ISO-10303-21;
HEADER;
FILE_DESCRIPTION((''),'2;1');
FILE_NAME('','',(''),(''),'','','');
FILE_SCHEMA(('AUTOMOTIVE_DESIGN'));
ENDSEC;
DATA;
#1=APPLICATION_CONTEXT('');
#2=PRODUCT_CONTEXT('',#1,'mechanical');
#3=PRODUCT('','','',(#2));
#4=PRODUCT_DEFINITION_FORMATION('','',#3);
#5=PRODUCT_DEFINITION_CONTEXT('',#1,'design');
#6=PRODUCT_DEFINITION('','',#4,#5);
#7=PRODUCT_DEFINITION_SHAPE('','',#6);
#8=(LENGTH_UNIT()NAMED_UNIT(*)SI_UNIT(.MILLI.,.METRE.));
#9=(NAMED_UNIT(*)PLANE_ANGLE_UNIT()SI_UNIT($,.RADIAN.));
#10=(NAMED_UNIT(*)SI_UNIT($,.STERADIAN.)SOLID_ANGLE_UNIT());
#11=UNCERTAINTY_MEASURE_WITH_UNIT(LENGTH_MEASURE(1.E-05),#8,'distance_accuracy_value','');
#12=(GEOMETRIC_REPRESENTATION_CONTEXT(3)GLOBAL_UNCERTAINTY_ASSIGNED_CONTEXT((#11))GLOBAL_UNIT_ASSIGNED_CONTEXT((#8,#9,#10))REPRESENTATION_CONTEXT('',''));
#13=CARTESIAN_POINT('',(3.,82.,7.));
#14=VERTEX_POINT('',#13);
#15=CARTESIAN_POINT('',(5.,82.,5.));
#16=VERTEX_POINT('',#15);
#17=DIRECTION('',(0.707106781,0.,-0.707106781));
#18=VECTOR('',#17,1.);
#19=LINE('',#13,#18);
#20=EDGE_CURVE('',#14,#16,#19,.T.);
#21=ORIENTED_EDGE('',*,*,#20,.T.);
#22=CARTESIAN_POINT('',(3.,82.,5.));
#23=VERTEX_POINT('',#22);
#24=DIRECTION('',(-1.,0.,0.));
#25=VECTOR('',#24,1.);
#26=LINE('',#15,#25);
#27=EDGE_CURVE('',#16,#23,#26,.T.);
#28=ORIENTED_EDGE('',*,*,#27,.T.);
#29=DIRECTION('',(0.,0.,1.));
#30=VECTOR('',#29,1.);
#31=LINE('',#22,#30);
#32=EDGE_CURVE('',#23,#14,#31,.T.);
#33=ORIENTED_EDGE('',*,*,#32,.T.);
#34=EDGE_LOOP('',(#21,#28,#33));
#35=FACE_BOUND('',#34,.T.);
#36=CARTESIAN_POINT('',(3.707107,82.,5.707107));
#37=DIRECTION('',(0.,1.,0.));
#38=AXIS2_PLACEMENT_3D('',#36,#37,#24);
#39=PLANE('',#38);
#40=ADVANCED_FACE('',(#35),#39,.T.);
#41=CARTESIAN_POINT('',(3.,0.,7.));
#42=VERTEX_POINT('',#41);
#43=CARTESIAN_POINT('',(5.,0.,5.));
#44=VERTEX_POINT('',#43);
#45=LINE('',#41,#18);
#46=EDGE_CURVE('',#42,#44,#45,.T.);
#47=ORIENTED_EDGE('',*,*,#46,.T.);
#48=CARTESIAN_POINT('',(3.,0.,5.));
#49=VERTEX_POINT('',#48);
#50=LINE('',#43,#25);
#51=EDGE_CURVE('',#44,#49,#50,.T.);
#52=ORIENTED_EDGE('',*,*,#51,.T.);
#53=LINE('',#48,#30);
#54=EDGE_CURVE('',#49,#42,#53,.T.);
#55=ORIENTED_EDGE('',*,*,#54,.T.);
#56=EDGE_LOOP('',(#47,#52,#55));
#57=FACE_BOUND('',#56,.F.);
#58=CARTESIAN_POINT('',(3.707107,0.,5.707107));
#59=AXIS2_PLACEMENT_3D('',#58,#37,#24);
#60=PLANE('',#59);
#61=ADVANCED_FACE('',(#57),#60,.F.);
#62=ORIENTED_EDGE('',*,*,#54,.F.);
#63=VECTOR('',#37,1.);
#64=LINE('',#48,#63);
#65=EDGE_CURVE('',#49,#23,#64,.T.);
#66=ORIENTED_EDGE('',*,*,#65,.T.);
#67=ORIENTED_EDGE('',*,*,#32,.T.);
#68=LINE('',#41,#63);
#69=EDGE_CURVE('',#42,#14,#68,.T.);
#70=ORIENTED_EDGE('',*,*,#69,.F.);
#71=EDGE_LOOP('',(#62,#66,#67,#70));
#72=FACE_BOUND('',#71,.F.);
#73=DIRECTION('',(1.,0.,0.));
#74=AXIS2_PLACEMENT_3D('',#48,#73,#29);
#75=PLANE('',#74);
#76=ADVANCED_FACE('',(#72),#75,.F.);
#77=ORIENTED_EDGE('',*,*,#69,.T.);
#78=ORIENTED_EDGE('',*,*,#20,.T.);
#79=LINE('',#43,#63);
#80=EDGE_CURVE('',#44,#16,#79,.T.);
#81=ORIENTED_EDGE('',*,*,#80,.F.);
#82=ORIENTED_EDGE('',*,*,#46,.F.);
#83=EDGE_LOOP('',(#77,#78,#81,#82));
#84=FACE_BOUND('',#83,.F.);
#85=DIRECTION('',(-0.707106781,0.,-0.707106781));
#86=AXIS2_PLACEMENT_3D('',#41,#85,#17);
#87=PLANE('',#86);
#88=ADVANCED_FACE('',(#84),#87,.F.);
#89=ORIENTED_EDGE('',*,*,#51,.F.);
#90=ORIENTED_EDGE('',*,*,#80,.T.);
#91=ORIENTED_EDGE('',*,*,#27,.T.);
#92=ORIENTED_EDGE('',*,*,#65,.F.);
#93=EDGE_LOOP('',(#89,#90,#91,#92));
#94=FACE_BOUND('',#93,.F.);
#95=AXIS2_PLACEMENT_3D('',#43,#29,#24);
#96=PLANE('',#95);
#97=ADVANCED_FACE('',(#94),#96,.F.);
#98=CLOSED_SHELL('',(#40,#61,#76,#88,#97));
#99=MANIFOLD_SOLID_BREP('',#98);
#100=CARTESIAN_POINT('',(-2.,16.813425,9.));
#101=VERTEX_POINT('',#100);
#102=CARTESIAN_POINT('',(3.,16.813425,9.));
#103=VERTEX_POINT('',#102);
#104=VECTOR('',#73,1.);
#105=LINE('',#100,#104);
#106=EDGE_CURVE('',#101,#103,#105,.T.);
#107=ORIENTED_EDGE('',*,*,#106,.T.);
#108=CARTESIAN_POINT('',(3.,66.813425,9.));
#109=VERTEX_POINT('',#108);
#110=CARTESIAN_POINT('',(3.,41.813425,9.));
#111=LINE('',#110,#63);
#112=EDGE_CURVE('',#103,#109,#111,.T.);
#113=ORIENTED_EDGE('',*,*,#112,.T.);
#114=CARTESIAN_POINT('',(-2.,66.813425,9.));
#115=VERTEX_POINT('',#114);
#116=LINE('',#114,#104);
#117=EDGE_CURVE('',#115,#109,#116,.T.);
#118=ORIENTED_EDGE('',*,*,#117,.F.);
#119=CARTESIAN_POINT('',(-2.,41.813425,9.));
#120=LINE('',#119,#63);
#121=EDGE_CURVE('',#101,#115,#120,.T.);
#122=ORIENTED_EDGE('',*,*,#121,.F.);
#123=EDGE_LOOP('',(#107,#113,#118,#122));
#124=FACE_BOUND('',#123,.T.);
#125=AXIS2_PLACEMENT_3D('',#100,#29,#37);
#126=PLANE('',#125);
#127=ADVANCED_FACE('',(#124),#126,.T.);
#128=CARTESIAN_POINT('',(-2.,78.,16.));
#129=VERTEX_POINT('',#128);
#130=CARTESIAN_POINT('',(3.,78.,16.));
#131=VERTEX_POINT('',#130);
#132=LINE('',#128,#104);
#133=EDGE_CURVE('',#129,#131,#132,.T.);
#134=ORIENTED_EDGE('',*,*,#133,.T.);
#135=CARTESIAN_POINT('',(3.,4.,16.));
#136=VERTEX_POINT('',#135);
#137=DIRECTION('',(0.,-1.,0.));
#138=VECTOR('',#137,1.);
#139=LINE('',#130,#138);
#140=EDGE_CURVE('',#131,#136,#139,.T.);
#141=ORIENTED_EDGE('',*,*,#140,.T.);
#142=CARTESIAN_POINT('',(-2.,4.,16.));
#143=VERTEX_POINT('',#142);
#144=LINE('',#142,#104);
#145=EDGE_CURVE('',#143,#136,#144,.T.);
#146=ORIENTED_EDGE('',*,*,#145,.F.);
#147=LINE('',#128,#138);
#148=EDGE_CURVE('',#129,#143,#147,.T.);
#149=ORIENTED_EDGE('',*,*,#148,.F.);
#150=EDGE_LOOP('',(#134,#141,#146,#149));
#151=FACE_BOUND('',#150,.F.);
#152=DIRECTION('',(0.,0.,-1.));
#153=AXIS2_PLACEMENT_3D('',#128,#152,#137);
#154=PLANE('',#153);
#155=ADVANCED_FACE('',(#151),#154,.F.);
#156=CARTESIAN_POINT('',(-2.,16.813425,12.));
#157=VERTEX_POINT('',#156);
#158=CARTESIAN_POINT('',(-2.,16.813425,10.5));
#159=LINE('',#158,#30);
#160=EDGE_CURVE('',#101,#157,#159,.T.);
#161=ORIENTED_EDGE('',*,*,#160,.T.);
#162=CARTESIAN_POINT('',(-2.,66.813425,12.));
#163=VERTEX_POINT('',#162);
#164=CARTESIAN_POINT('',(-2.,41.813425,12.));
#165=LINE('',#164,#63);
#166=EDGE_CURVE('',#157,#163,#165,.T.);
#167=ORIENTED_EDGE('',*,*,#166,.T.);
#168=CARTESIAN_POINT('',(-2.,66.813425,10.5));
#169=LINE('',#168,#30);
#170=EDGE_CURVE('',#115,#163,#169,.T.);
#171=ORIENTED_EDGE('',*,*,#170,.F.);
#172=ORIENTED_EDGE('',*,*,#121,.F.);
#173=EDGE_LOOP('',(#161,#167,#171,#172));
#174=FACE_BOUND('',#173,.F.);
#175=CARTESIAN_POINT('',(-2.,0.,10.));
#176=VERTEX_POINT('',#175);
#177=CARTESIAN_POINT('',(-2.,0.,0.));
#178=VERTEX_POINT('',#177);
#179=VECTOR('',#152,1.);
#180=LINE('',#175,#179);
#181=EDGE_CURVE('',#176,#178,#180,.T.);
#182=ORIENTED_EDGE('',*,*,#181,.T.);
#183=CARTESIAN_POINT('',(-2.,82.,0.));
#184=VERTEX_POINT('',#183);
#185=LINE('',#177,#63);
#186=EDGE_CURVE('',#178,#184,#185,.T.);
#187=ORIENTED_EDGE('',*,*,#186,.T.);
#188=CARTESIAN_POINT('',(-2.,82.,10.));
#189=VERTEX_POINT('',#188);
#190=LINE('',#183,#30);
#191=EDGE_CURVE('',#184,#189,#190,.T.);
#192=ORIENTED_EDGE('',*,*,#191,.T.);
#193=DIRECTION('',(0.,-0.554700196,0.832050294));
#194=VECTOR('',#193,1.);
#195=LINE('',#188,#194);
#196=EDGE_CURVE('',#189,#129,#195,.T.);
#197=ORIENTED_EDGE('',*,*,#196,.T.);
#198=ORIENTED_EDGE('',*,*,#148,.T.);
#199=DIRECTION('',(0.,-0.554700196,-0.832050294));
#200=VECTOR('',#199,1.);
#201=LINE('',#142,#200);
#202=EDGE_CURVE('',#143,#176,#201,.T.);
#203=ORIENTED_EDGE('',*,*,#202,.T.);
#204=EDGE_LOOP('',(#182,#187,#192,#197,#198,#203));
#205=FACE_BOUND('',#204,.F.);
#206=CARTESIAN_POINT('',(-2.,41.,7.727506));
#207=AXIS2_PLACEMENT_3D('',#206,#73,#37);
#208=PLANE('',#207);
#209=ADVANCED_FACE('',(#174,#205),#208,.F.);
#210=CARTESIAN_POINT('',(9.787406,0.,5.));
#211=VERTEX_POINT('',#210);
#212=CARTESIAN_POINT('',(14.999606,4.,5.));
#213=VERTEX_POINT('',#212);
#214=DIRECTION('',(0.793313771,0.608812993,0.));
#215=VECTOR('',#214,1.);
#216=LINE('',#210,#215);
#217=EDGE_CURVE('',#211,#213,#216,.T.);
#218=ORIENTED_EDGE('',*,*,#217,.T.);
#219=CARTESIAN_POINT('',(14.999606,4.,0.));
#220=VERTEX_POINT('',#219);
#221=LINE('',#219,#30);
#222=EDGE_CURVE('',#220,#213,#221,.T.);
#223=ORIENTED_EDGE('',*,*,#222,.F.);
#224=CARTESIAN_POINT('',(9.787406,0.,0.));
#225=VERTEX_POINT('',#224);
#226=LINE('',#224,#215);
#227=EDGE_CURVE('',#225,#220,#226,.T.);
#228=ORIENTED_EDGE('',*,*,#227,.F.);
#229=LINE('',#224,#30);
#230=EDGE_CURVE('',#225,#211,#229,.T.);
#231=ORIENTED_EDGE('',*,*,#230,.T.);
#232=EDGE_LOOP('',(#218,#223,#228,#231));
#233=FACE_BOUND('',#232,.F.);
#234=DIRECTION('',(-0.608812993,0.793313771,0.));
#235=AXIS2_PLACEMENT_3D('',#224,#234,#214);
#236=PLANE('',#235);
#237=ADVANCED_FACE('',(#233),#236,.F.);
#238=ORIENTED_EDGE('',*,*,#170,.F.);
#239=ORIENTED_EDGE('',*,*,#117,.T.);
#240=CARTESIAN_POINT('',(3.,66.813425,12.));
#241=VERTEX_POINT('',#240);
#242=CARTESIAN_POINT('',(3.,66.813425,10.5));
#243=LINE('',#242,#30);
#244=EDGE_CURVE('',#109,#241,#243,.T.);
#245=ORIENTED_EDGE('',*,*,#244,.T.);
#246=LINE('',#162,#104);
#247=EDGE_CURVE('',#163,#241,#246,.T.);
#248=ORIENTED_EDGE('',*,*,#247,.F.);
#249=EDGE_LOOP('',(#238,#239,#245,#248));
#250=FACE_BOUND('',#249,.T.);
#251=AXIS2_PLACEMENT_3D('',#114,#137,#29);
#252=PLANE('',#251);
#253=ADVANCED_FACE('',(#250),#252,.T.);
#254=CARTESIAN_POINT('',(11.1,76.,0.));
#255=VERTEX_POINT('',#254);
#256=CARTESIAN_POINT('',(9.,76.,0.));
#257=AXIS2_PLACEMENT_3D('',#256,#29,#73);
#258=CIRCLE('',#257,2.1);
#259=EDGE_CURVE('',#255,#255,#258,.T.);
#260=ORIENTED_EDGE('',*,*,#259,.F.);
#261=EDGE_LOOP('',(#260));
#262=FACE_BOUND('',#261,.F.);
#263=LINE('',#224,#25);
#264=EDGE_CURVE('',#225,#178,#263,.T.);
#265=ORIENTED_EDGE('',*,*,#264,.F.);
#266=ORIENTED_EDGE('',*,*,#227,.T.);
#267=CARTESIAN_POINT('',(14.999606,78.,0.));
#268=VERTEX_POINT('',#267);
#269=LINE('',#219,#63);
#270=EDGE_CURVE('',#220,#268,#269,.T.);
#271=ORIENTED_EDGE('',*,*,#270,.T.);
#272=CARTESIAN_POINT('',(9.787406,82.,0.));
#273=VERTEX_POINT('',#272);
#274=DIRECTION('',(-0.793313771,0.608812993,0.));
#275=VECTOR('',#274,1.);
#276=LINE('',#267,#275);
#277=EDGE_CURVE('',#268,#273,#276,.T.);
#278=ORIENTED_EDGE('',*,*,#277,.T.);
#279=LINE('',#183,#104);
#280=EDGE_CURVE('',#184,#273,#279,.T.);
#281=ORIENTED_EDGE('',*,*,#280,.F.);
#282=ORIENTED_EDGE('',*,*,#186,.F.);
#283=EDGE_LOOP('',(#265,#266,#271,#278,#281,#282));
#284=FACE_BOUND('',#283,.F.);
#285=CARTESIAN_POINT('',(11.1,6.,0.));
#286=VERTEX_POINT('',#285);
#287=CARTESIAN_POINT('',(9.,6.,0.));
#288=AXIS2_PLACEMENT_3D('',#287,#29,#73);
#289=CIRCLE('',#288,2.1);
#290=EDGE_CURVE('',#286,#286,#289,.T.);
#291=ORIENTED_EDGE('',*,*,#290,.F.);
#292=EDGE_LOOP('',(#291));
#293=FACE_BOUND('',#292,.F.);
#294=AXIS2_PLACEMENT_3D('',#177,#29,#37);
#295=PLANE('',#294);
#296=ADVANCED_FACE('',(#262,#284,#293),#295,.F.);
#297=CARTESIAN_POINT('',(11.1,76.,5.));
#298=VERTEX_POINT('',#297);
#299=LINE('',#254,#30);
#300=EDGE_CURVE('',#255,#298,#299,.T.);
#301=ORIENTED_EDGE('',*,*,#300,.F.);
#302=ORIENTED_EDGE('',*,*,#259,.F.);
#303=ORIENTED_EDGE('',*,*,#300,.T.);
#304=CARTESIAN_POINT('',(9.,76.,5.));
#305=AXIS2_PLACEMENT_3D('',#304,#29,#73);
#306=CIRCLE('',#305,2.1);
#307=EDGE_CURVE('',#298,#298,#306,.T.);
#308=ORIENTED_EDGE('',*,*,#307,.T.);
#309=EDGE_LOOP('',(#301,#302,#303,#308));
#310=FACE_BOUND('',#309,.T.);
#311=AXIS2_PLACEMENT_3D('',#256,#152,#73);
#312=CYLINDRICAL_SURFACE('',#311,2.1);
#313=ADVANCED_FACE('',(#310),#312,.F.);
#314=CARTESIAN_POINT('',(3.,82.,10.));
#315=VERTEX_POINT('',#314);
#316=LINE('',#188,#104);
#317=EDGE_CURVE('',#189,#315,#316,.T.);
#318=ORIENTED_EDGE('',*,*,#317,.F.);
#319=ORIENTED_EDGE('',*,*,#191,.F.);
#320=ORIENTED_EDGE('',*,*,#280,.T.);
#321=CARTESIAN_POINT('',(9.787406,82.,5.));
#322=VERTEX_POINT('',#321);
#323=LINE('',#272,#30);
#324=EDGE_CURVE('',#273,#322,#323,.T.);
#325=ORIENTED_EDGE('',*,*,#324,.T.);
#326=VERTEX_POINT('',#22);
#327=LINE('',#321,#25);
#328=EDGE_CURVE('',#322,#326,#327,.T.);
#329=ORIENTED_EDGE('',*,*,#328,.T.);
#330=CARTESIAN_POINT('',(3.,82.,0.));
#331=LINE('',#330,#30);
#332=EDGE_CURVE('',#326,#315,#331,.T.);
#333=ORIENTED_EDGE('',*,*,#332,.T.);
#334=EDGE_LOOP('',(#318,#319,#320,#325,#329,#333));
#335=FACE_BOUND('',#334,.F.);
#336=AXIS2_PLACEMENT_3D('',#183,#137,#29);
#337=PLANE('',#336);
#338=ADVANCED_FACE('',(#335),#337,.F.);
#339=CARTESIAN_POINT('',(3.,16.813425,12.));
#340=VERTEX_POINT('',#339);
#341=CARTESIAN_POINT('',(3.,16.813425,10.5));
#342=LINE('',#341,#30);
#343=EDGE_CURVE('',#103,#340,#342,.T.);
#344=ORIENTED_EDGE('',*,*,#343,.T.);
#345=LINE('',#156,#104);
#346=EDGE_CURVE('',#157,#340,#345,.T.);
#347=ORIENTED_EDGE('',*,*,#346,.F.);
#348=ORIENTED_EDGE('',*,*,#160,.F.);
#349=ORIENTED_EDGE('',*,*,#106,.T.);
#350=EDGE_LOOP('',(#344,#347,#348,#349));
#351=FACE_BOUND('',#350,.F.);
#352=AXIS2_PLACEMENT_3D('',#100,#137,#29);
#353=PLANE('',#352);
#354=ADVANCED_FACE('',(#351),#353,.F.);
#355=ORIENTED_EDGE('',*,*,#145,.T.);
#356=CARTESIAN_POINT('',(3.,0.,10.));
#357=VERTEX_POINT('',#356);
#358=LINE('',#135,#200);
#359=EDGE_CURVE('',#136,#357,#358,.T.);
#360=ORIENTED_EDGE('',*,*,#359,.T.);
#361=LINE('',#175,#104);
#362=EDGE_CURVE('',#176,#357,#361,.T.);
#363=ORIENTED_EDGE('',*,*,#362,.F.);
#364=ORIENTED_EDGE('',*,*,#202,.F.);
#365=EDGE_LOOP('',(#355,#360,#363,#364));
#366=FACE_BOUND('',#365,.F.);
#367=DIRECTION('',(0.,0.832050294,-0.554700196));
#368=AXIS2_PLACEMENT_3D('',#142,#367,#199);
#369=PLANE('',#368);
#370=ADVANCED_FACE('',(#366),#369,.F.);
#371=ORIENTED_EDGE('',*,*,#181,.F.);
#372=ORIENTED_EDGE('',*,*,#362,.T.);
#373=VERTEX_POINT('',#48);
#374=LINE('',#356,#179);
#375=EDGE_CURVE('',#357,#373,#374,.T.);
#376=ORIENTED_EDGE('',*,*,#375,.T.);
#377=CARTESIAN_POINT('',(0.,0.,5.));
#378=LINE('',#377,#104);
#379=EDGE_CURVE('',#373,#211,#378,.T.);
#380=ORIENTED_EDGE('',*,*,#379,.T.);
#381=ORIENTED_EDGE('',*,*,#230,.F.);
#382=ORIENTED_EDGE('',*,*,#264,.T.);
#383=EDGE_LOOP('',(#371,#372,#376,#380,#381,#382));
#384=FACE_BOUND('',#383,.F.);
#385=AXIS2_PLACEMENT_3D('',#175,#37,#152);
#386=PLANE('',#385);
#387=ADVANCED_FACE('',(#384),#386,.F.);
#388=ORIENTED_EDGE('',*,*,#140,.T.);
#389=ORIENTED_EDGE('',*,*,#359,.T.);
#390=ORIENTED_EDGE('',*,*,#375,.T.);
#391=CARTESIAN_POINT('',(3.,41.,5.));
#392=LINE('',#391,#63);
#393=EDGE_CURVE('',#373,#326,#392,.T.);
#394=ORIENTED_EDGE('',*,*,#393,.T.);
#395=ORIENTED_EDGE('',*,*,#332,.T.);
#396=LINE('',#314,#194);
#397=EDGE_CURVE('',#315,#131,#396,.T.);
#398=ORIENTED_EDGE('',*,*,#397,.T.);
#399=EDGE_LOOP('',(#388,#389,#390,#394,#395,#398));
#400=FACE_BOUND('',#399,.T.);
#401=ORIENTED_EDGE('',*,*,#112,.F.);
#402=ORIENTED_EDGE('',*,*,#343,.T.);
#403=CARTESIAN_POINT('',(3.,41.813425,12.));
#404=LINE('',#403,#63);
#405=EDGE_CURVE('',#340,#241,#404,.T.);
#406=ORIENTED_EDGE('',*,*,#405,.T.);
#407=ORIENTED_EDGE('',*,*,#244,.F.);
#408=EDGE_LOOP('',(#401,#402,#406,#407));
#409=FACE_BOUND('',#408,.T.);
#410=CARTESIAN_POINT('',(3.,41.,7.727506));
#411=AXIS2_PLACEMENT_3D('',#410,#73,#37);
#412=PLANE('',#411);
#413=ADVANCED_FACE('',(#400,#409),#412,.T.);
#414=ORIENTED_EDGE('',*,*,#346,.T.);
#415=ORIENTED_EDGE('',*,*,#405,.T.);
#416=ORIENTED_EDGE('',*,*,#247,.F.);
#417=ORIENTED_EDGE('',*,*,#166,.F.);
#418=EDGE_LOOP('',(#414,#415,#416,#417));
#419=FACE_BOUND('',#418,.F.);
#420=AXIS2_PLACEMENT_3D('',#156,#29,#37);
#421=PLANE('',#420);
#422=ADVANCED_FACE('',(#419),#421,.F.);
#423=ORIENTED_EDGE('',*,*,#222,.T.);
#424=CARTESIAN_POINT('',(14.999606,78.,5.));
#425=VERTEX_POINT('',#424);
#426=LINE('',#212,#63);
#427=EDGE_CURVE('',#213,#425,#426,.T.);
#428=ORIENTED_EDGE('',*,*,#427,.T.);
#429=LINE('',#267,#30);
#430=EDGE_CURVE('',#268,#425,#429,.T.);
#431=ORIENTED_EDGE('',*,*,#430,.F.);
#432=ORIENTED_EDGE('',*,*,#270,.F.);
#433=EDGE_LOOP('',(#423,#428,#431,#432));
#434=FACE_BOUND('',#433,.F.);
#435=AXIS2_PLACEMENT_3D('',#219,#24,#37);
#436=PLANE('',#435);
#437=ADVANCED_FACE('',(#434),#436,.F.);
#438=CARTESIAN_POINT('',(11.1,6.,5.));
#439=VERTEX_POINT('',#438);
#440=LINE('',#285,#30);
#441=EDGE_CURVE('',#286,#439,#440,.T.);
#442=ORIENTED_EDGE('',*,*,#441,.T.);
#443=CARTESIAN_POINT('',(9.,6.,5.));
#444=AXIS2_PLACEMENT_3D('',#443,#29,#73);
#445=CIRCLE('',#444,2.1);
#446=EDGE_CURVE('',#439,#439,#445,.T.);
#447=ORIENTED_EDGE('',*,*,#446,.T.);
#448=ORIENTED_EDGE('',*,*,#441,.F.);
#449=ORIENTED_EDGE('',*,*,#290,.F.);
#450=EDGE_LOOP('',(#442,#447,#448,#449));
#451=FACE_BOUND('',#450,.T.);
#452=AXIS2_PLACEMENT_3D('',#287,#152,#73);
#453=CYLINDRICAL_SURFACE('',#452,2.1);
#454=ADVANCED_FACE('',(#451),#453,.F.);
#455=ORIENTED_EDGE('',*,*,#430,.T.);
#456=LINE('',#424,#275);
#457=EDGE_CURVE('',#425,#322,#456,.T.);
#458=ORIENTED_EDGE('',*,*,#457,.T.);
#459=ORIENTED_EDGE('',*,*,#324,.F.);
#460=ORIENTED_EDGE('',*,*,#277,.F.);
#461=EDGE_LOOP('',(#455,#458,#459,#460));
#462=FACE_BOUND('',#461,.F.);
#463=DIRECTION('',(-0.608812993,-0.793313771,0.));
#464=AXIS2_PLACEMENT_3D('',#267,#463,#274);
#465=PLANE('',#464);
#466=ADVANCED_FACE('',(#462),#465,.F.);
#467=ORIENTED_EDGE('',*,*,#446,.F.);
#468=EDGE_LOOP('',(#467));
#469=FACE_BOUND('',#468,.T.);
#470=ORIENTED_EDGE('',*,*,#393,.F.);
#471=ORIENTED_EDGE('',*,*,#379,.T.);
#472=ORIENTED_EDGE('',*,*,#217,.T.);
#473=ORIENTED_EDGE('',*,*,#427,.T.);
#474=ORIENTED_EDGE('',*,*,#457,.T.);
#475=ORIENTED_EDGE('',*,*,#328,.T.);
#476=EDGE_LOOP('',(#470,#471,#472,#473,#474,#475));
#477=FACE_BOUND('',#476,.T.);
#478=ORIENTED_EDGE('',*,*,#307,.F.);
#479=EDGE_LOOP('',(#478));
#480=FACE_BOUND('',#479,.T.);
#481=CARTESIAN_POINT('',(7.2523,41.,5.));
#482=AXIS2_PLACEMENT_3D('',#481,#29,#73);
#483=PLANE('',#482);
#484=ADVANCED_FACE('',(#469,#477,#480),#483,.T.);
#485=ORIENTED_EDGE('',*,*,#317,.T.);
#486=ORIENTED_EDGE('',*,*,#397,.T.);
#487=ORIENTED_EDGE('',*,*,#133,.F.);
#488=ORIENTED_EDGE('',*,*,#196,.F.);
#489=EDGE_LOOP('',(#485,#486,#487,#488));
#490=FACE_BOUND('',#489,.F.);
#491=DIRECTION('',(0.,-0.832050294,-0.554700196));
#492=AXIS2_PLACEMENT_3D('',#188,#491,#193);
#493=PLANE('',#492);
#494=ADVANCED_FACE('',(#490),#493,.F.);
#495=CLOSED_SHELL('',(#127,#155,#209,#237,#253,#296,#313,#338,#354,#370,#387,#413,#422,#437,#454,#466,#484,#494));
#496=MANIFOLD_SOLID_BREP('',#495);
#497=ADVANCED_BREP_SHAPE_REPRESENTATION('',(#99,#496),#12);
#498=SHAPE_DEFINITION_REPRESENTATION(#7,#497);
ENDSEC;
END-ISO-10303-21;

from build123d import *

# Parameters (mm, degrees)
SKETCH001_W  = 50
SKETCH001_H  = 3
PAD001_DEPTH = 5
SKETCH_R     = 2.1
PAD_DEPTH    = 5
PAD002_DEPTH = 82


with BuildPart() as pad001:
    # Sketch001 → Pad001 (new body)
    with BuildSketch(Plane.YZ.offset(-2)):
        Polygon((0, 0), (82, 0), (82, 10), (78, 16), (4, 16), (0, 10), align=None)
        with Locations((41.813425, 10.5)):
            Rectangle(SKETCH001_W, SKETCH001_H, mode=Mode.SUBTRACT)
    extrude(amount=PAD001_DEPTH)


with BuildPart() as fusion:
    # Sketch → Pad (new body)
    with BuildSketch(Plane.XY):
        Polygon((0, 82), (0, 0), (9.787406, 0), (14.999606, 4), (14.999606, 78), (9.787406, 82), align=None)
        with Locations((9, 6)):
            Circle(SKETCH_R, mode=Mode.SUBTRACT)
        with Locations((9, 76)):
            Circle(SKETCH_R, mode=Mode.SUBTRACT)
    extrude(amount=PAD_DEPTH)

    # Fusion: union Pad001
    add(pad001.part)


with BuildPart() as pad002:
    # Sketch002 → Pad002 (new body)
    with BuildSketch(Plane(origin=(3, 0, 5), x_dir=(1, 0, 0), z_dir=(0, -1, 0))):
        Polygon((0, 0), (0, 2), (2, 0), align=None)
    extrude(amount=-PAD002_DEPTH)


solid = Compound([fusion.part, pad002.part])
